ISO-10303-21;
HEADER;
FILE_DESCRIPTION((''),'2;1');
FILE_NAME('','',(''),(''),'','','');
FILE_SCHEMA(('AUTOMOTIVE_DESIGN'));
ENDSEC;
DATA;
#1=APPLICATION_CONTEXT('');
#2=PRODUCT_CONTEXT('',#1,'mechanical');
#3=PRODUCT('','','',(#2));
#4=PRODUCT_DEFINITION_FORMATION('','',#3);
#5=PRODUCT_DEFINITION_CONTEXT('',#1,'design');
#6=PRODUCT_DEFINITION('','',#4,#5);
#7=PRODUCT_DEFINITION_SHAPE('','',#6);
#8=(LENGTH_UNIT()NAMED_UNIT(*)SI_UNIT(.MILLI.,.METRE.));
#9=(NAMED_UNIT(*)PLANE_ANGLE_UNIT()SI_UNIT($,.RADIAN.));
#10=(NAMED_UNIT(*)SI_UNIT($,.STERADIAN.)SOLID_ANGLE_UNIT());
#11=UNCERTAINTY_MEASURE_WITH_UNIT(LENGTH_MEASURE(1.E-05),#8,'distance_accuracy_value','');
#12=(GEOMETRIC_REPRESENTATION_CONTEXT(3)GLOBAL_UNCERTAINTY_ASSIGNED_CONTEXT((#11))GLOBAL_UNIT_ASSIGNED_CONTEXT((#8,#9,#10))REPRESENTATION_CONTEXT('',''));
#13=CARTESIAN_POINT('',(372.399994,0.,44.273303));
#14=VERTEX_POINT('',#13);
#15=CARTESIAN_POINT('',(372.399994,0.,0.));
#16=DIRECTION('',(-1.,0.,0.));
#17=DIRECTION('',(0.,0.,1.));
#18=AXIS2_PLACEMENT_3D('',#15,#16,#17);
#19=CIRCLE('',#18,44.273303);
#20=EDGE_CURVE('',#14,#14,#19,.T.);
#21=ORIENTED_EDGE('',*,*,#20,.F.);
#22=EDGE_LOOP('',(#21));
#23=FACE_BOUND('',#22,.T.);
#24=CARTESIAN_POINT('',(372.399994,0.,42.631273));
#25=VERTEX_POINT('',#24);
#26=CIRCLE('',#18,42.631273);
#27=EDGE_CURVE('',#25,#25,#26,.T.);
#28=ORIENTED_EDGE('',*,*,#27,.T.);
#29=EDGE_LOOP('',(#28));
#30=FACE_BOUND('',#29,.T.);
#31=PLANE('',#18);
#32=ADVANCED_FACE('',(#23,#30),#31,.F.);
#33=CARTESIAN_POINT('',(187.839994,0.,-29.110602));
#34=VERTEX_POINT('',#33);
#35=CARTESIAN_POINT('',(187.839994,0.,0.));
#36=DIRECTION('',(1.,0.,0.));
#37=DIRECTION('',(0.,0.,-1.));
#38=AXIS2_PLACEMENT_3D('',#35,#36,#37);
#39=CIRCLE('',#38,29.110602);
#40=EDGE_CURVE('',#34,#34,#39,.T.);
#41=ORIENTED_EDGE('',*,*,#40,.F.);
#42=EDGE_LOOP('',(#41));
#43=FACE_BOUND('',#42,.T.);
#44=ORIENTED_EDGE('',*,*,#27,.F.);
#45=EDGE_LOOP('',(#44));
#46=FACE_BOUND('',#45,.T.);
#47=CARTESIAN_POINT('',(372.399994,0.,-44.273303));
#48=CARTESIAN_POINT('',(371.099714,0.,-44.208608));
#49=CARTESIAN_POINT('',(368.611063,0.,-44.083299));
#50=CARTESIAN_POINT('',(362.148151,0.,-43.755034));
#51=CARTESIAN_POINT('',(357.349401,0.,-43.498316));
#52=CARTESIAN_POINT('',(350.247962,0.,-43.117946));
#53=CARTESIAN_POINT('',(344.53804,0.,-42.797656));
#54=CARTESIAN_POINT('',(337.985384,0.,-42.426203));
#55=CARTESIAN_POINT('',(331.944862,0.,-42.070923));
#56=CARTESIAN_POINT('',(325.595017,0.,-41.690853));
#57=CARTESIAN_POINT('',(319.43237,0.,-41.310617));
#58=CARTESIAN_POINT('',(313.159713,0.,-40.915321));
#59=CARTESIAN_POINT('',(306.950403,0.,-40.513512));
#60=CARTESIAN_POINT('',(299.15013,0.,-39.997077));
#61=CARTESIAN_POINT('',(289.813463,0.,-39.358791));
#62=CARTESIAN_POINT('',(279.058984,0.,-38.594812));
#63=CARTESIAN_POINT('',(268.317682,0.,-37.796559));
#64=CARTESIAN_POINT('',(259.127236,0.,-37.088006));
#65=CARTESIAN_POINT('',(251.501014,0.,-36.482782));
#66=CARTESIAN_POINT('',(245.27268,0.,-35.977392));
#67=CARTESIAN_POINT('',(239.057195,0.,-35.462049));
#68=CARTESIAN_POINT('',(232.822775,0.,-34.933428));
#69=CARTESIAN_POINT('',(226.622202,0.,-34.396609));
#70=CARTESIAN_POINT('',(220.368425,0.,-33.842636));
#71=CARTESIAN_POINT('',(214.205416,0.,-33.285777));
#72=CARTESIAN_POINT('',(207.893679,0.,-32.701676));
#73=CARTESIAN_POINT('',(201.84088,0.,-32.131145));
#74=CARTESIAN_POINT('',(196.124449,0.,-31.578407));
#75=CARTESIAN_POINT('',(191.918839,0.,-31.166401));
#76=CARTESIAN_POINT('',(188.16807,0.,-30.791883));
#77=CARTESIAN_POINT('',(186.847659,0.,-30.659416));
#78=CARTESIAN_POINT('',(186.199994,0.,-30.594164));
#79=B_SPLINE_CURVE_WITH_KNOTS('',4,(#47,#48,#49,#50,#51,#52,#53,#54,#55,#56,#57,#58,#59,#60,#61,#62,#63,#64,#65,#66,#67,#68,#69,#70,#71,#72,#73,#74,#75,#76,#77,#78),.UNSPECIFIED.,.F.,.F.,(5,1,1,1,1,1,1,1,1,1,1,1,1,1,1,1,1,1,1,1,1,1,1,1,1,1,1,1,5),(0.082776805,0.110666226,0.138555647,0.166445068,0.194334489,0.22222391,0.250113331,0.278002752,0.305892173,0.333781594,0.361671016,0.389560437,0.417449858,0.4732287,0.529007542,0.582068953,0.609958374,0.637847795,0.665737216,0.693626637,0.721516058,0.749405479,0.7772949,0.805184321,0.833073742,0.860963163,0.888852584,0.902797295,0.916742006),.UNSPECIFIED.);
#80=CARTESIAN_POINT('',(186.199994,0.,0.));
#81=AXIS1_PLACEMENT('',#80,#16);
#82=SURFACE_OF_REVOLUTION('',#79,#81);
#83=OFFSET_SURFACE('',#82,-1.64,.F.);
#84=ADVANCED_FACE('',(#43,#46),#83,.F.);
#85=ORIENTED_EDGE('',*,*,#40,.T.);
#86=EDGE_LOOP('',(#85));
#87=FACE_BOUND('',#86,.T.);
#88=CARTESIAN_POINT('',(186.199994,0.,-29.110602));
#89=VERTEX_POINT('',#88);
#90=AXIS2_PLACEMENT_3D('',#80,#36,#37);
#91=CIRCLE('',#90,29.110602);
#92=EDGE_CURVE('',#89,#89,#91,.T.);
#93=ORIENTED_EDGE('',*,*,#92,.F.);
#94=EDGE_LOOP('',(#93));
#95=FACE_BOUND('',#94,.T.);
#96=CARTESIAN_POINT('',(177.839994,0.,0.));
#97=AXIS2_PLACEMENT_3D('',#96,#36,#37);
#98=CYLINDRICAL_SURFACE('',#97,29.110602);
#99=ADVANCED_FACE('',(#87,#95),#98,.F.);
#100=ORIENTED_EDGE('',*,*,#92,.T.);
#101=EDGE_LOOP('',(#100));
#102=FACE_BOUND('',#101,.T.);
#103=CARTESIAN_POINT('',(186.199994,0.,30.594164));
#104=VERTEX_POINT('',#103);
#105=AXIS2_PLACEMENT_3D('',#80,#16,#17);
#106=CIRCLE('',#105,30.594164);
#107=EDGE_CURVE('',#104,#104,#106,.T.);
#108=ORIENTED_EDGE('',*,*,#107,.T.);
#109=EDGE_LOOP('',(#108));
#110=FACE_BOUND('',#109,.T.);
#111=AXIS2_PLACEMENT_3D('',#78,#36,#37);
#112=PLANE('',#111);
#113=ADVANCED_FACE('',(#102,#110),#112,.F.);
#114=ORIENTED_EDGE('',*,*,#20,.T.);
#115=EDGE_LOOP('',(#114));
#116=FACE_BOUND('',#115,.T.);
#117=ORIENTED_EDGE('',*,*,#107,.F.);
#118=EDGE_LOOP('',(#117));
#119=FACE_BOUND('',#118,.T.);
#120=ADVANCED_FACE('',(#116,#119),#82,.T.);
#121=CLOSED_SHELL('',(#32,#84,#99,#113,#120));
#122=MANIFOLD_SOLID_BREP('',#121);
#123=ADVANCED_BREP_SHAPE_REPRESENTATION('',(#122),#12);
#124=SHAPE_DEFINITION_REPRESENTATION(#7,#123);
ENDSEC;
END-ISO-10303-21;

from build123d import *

# Parameters (mm, degrees)
SHELL3_T           = -1.64
SKETCH2_R          = 29.110601934
CUT_EXTRUDE1_DEPTH = 10


with BuildPart() as part:
    # Sketch1 → Revolve2 (revolve)
    with BuildSketch(Plane(origin=(0, 0, 0), x_dir=(1, 0, 0), z_dir=(0, 1, 0))):
        with BuildLine():
            Line((186.199993601, 30.594163564), (186.199993601, 0))
            Line((186.199993601, 0), (372.3999936, 0))
            Line((372.3999936, 0), (372.3999936, 44.273302763))
            add(Edge.make_bspline(
                [(186.199993601, 30.594163564), (186.8476588, 30.659415977), (188.168070473, 30.79188334), (191.91883936, 31.16640144), (196.124448635, 31.578407394), (201.840880216, 32.131144857), (207.893679348, 32.70167564), (214.205416019, 33.285777449), (220.368425407, 33.842636368), (226.62220161, 34.39660876), (232.822774931, 34.933428075), (239.057194674, 35.462048722), (245.272680031, 35.977392449), (251.501013914, 36.482781559), (259.127235962, 37.088005816), (268.317681549, 37.796558755), (279.05898417, 38.594812009), (289.813463409, 39.358791364), (299.150130156, 39.997076933), (306.950403049, 40.513511803), (313.159713414, 40.915320585), (319.432370013, 41.310617298), (325.595017121, 41.690852767), (331.944862255, 42.070922698), (337.985384405, 42.426203271), (344.538040115, 42.797655646), (350.247962448, 43.117946037), (357.349401431, 43.498316293), (362.148151185, 43.755033629), (368.611062849, 44.083299339), (371.099714053, 44.208608011), (372.3999936, 44.273302763)],
                knots=[0.082776805, 0.082776805, 0.082776805, 0.082776805, 0.082776805, 0.096721516, 0.110666227, 0.138555648, 0.166445069, 0.19433449, 0.222223911, 0.250113332, 0.278002753, 0.305892174, 0.333781595, 0.361671016, 0.389560438, 0.417449858, 0.470511269, 0.526290111, 0.582068953, 0.609958374, 0.637847796, 0.665737217, 0.693626638, 0.721516059, 0.74940548, 0.777294901, 0.805184322, 0.833073743, 0.860963164, 0.888852585, 0.916742006, 0.916742006, 0.916742006, 0.916742006, 0.916742006], degree=4))
        make_face()
    revolve(axis=Axis((186.199993601, 0, 0), (1, 0, 0)))

    # Shell3
    shell3_openings = [part.faces().sort_by_distance(p)[0] for p in [
        (372.3999936, 0, 0),
    ]]
    offset(amount=SHELL3_T, openings=shell3_openings, kind=Kind.INTERSECTION)

    # Sketch2 → Cut-Extrude1 (cut)
    with BuildSketch(Plane(origin=(187.839993601, 0, 0), x_dir=(0, 0, -1), z_dir=(1, 0, 0))):
        Circle(SKETCH2_R)
    extrude(amount=-CUT_EXTRUDE1_DEPTH, mode=Mode.SUBTRACT)


solid = part.part
